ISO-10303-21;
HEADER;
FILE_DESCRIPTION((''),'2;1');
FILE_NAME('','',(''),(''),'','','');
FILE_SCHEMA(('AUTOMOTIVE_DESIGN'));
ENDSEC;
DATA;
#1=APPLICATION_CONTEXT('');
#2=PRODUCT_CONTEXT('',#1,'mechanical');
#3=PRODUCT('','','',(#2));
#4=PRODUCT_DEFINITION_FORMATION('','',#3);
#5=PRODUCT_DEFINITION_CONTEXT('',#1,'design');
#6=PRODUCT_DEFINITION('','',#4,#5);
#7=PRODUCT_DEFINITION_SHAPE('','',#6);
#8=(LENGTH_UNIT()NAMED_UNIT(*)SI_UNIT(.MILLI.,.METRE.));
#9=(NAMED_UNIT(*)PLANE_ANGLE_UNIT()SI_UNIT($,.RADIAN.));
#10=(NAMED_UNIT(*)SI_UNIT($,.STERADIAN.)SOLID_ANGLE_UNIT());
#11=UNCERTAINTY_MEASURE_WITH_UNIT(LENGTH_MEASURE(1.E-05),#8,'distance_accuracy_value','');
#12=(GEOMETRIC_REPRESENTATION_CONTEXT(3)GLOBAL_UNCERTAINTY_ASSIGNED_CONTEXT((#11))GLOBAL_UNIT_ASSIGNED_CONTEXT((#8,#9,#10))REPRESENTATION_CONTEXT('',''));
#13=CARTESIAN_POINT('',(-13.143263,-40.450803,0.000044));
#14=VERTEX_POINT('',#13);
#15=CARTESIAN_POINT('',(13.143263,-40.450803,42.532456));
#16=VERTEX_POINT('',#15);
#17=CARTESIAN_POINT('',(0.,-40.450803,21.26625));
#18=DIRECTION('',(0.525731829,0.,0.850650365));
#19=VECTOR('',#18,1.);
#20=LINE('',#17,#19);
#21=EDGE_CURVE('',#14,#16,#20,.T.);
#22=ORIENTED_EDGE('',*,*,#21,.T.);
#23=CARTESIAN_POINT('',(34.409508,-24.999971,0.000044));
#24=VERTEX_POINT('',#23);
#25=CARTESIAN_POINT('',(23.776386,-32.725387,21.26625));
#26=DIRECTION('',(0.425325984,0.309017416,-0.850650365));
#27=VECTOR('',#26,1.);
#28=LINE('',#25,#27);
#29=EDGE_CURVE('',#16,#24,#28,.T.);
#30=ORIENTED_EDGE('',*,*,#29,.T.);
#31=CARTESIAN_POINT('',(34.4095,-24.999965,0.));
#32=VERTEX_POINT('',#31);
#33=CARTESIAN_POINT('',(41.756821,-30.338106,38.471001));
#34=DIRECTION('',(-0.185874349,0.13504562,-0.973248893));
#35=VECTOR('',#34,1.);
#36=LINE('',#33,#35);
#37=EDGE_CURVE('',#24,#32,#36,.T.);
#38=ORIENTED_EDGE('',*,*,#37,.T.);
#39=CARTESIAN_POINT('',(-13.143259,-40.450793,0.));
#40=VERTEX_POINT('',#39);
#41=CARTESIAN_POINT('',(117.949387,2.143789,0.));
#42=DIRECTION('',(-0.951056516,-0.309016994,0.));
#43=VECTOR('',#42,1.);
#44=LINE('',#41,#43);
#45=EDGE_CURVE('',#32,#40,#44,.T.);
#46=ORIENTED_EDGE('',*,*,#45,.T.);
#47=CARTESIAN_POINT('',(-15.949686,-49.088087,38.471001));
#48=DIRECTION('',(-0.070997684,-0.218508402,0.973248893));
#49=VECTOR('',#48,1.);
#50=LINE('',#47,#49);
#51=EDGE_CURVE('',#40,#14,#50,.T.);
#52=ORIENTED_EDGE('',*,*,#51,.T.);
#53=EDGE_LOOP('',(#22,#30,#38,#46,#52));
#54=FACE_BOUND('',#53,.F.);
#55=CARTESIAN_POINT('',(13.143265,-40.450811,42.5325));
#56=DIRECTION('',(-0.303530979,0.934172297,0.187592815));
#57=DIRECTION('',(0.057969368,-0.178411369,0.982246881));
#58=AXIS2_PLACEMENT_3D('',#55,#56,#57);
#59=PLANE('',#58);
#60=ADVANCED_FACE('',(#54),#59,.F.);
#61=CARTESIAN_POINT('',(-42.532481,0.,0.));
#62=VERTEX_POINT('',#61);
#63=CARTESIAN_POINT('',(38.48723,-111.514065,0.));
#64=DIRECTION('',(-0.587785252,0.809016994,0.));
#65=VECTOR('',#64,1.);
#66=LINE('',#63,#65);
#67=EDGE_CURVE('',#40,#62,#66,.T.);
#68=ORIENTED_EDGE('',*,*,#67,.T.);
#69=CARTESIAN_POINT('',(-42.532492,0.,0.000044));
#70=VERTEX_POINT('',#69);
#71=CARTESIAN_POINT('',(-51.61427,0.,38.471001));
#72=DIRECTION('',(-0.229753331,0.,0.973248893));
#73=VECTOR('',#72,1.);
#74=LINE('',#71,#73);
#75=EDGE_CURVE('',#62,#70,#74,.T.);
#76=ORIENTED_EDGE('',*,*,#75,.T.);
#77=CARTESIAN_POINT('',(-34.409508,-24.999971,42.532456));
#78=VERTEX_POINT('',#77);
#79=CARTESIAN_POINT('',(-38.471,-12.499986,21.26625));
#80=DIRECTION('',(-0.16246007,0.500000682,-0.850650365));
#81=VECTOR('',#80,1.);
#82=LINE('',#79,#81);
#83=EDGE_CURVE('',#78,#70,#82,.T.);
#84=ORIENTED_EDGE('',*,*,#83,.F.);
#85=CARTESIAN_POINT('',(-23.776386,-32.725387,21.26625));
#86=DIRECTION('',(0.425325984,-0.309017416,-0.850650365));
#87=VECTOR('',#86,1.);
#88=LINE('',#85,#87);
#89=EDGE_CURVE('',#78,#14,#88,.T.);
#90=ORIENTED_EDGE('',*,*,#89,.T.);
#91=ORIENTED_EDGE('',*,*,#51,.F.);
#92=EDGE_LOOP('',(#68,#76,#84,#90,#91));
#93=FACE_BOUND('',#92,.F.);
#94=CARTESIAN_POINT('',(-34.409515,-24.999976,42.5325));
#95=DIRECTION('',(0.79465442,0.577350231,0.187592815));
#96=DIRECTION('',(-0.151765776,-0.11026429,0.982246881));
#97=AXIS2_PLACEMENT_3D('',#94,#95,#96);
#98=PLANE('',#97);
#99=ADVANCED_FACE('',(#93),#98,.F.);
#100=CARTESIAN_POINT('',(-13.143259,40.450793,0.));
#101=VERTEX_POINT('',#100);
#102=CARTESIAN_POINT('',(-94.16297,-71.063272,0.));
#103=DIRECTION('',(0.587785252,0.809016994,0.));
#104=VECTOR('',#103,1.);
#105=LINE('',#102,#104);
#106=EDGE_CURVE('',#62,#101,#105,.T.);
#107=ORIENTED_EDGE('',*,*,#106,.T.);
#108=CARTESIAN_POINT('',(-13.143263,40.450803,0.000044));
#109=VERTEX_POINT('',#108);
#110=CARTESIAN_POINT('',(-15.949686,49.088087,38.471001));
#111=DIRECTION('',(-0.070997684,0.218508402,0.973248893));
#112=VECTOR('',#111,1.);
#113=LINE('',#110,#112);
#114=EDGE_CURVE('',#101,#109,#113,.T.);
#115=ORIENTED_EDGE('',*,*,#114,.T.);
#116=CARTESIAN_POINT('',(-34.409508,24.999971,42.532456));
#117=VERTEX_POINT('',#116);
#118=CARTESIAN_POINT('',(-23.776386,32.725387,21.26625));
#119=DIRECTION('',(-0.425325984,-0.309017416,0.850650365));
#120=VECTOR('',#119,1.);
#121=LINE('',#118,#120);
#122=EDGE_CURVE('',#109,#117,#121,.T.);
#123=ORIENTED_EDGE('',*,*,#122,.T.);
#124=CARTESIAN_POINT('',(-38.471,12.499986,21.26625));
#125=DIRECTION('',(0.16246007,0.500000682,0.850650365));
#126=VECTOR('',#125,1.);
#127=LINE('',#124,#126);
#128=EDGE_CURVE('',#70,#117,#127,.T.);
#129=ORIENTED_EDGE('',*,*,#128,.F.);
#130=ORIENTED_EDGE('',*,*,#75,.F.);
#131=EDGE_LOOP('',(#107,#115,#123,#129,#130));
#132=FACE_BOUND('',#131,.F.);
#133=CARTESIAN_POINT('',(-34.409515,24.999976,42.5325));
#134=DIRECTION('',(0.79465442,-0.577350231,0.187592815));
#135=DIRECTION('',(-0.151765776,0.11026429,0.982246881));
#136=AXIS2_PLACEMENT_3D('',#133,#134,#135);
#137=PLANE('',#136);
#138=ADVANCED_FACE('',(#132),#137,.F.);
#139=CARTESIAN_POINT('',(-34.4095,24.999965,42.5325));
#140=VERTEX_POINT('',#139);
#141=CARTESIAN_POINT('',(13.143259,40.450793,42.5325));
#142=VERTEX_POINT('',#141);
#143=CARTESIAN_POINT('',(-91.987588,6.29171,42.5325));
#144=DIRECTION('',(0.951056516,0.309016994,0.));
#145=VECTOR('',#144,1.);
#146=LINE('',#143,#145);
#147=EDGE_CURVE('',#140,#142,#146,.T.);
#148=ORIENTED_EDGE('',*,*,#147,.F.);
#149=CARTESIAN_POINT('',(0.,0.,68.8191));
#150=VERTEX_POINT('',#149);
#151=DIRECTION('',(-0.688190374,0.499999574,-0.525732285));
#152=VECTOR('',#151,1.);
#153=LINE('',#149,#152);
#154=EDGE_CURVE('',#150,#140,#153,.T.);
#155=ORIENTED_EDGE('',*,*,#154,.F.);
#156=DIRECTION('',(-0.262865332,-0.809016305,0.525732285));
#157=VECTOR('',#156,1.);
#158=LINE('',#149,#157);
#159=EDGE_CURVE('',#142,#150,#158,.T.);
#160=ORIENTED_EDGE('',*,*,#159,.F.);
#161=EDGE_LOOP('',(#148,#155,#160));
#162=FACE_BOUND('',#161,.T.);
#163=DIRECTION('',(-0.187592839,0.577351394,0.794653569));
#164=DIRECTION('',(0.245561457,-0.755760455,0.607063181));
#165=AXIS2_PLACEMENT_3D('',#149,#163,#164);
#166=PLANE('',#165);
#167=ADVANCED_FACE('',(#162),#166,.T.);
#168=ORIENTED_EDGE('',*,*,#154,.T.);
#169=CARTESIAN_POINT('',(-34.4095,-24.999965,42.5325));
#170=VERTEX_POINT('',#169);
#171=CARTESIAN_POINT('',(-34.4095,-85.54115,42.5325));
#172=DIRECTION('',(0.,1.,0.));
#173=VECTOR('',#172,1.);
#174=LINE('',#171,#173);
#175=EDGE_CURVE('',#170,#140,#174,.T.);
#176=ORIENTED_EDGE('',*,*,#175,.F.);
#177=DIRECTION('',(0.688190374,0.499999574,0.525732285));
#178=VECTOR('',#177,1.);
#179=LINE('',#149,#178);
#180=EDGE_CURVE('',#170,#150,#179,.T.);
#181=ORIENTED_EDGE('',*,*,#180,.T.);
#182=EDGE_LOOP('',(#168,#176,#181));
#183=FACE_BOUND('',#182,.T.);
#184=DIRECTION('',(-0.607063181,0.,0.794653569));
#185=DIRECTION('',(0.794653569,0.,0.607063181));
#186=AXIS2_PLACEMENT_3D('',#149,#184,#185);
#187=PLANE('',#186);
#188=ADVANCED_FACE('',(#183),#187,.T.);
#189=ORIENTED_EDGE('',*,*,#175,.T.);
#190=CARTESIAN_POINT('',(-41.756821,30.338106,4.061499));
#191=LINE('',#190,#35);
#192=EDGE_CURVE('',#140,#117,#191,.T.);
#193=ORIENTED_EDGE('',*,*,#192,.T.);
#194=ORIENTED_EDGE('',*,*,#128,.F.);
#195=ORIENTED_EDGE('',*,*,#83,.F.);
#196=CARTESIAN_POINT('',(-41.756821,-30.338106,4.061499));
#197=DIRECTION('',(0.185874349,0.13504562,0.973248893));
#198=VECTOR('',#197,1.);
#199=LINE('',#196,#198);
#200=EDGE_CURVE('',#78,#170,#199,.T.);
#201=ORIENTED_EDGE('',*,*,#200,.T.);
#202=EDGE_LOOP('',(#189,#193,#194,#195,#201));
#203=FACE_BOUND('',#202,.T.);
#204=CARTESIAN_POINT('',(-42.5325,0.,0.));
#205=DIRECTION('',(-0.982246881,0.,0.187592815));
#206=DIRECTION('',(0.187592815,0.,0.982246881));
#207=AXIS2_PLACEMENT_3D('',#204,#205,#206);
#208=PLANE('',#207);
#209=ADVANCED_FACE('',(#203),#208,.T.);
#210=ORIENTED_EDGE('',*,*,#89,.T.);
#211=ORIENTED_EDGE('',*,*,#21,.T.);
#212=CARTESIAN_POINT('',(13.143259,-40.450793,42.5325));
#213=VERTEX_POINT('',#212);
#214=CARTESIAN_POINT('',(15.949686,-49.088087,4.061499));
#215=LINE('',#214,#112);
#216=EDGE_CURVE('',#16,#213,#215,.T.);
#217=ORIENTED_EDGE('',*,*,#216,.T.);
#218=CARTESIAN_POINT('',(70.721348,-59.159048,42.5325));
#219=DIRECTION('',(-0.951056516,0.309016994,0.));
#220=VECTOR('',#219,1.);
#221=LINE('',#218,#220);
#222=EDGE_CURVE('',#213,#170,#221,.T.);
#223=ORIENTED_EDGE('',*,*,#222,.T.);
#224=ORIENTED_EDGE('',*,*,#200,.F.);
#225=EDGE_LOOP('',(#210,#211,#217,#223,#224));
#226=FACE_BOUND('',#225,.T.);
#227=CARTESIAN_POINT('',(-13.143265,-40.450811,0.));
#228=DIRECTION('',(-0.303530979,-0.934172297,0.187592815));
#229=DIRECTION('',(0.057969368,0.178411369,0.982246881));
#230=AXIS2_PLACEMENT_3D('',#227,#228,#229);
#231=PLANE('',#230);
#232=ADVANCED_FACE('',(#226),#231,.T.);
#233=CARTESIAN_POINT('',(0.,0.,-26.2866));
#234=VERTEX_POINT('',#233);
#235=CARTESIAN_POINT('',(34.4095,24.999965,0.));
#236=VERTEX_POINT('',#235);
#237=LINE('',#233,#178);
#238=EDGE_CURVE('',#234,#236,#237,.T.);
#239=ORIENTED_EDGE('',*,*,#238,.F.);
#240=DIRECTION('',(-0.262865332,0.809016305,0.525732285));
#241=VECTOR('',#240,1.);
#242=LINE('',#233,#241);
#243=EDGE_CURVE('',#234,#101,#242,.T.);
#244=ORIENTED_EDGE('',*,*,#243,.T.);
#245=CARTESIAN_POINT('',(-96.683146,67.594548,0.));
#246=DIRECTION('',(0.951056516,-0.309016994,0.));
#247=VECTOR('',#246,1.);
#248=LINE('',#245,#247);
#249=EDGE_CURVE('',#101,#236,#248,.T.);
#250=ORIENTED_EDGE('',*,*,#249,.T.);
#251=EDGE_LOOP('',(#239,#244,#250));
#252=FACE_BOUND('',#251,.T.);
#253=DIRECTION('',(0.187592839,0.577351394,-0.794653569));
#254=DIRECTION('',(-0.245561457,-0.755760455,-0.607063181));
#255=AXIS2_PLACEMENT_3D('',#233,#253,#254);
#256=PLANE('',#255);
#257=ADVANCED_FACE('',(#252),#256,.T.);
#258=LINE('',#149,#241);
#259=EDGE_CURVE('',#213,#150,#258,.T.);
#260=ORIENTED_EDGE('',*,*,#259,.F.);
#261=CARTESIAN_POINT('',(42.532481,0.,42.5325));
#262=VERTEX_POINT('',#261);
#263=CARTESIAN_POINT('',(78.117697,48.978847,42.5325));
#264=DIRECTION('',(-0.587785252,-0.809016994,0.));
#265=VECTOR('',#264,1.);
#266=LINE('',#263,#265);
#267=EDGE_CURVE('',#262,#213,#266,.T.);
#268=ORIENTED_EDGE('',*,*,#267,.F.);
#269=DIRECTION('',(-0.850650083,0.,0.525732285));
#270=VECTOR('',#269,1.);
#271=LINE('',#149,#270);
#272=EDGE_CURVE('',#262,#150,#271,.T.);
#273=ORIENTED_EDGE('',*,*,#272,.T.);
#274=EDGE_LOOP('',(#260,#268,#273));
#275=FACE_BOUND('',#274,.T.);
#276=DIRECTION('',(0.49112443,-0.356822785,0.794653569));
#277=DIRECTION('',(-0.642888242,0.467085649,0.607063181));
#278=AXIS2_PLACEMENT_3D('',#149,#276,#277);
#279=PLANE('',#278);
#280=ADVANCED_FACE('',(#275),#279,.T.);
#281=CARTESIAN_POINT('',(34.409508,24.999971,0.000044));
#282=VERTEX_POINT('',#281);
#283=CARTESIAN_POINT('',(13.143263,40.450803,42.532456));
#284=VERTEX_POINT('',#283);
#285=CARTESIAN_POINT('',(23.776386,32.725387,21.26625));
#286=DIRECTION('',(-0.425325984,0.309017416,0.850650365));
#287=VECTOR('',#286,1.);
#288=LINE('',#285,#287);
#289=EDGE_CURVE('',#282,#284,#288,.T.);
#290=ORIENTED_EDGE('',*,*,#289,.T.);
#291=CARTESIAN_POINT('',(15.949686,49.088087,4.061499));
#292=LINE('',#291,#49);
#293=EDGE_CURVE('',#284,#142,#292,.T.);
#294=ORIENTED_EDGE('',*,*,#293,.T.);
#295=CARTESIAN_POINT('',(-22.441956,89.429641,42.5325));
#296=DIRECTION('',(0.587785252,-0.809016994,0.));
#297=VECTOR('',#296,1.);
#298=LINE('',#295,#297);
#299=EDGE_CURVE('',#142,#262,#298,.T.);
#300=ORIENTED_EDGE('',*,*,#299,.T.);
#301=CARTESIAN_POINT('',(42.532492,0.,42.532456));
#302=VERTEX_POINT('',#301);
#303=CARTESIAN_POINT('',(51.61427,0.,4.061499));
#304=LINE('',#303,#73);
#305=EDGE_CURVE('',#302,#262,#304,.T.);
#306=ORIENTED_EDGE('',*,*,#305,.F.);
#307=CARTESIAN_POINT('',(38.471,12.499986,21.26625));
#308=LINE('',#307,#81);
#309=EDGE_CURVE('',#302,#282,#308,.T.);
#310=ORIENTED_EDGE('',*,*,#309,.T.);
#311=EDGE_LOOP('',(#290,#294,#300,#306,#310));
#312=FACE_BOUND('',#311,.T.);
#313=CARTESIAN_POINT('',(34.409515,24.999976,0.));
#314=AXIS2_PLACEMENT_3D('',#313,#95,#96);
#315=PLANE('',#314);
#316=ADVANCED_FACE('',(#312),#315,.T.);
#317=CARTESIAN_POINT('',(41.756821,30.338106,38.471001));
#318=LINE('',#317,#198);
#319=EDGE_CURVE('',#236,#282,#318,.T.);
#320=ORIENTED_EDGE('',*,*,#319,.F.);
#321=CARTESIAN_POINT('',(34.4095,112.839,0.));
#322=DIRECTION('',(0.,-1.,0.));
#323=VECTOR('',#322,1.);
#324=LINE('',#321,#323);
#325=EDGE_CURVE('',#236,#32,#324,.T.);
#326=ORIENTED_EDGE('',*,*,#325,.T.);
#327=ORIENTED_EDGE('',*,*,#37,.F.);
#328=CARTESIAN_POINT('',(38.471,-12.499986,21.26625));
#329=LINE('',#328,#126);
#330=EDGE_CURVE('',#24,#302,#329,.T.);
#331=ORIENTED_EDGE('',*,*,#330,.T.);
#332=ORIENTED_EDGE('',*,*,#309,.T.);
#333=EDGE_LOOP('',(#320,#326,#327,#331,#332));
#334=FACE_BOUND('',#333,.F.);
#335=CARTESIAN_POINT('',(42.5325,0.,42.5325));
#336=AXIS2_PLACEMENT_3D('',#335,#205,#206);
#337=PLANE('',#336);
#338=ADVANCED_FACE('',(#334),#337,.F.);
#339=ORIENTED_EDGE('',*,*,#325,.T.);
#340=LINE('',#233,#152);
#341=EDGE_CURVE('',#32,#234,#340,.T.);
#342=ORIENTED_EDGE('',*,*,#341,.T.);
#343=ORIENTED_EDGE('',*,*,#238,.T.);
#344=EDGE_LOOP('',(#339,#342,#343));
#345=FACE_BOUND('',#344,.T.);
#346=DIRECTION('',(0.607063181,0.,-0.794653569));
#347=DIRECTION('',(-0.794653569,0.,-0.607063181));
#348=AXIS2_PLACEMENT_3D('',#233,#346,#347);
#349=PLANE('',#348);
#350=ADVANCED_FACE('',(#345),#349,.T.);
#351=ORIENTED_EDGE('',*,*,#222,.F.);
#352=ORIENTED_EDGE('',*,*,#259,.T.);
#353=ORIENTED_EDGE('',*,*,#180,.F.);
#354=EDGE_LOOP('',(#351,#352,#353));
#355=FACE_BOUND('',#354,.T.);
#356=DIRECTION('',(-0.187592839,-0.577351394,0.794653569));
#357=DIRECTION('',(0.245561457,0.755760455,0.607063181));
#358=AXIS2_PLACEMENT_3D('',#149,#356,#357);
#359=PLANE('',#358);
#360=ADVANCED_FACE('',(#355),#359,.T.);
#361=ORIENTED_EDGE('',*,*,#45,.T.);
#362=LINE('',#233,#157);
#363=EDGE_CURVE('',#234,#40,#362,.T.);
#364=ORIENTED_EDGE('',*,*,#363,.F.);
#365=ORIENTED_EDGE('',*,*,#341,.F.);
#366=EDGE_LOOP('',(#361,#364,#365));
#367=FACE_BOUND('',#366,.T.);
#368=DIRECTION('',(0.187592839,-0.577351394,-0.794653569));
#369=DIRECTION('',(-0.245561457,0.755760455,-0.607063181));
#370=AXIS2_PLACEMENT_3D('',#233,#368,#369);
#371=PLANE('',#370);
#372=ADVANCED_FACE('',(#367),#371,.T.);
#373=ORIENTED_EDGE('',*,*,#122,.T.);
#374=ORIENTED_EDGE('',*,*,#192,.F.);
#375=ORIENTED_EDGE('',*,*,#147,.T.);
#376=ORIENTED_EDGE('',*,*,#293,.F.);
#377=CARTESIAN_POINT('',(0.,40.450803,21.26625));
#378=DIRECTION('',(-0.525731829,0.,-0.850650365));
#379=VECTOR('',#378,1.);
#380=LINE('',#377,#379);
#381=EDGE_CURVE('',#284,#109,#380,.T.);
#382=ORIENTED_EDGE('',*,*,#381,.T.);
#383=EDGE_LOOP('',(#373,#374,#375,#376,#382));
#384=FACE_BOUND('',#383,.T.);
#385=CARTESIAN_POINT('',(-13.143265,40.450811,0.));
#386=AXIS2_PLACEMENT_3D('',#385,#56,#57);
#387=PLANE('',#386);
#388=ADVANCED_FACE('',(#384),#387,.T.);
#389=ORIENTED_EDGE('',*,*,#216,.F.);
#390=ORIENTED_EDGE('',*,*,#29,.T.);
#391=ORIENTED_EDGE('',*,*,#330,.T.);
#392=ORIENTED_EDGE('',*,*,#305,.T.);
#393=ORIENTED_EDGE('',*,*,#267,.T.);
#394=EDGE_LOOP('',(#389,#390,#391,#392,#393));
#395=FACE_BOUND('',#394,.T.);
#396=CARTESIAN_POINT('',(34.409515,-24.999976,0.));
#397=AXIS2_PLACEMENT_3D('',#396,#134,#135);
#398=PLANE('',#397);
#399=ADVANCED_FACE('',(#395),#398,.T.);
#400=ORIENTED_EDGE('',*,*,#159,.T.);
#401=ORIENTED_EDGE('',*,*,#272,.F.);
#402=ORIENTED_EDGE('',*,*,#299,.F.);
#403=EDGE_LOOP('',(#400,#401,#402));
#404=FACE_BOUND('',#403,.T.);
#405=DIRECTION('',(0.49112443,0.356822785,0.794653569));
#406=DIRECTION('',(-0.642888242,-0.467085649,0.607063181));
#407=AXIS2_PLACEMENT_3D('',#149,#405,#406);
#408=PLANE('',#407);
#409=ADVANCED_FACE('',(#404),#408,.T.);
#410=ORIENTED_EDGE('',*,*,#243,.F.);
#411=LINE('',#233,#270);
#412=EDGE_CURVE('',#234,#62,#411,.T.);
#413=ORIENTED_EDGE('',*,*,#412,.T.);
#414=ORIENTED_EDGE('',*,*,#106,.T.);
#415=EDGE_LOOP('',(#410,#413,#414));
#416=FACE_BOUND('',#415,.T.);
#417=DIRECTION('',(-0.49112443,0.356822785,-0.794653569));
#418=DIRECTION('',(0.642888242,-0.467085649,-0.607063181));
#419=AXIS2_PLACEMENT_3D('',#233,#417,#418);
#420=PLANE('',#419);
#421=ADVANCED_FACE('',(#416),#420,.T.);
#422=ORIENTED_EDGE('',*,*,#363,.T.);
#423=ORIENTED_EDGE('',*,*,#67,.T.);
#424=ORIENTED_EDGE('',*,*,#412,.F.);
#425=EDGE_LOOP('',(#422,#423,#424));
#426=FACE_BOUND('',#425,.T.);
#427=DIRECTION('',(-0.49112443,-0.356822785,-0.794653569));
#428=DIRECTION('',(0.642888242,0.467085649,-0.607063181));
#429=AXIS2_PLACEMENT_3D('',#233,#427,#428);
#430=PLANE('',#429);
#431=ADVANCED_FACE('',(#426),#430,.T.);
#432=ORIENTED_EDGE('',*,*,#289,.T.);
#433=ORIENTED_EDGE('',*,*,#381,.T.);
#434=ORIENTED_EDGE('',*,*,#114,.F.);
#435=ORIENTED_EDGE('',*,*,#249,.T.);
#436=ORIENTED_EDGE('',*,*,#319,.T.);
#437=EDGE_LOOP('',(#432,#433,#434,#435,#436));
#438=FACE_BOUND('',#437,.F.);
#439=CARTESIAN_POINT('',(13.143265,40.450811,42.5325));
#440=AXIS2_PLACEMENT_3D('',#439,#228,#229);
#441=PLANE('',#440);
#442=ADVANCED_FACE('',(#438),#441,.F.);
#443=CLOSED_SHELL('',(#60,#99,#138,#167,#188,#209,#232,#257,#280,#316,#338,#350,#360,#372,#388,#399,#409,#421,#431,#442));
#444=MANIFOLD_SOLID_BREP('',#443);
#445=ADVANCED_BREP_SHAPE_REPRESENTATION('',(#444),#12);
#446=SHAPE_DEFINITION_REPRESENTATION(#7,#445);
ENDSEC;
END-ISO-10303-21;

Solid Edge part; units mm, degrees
sketch "Sketch1" plane through (0, 0, 0) normal (0, -1, 0) x (1, 0, 0)
  arc A0 (0, -40.3674) -> (0, 87.4202) centre (0, 23.5264) cw
  line L0 (0, 87.4202) -> (0, -40.3674)
revolve "RevolvedProtrusion1" add sketch "Sketch1" angle 360 about axis through (0, 0, 87.4202) along (0, 0, -1)
sketch "Sketch2" plane through (0, 0, 0) normal (0, -1, 0) x (1, 0, 0)
  line L0 (42.5325, 42.5325) -> (34.4095, 0)
  line L1 (0, -26.2866) -> (34.4095, 0)
extrude "Cutout1" cut sketch "Sketch2" along normal mid plane 225.678 material side at (38.5201, 0, 21.2569)
sketch "Sketch3" plane through (0, 0, 0) normal (0, -1, 0) x (1, 0, 0)
  line L0 (-34.4095, 42.5325) -> (0, 68.8191)
  line L1 (-42.5325, 0) -> (-34.4095, 42.5325)
extrude "ExtrudedCutout_2" cut sketch "Sketch3" along normal mid plane 171.0823 material side at (-17.2351, 0, 55.7155)
pattern_circular "Pattern1" count 5 over 360 about axis through (0, 0, 0) along (0, 0, 1) of "Cutout1", "ExtrudedCutout_2"
